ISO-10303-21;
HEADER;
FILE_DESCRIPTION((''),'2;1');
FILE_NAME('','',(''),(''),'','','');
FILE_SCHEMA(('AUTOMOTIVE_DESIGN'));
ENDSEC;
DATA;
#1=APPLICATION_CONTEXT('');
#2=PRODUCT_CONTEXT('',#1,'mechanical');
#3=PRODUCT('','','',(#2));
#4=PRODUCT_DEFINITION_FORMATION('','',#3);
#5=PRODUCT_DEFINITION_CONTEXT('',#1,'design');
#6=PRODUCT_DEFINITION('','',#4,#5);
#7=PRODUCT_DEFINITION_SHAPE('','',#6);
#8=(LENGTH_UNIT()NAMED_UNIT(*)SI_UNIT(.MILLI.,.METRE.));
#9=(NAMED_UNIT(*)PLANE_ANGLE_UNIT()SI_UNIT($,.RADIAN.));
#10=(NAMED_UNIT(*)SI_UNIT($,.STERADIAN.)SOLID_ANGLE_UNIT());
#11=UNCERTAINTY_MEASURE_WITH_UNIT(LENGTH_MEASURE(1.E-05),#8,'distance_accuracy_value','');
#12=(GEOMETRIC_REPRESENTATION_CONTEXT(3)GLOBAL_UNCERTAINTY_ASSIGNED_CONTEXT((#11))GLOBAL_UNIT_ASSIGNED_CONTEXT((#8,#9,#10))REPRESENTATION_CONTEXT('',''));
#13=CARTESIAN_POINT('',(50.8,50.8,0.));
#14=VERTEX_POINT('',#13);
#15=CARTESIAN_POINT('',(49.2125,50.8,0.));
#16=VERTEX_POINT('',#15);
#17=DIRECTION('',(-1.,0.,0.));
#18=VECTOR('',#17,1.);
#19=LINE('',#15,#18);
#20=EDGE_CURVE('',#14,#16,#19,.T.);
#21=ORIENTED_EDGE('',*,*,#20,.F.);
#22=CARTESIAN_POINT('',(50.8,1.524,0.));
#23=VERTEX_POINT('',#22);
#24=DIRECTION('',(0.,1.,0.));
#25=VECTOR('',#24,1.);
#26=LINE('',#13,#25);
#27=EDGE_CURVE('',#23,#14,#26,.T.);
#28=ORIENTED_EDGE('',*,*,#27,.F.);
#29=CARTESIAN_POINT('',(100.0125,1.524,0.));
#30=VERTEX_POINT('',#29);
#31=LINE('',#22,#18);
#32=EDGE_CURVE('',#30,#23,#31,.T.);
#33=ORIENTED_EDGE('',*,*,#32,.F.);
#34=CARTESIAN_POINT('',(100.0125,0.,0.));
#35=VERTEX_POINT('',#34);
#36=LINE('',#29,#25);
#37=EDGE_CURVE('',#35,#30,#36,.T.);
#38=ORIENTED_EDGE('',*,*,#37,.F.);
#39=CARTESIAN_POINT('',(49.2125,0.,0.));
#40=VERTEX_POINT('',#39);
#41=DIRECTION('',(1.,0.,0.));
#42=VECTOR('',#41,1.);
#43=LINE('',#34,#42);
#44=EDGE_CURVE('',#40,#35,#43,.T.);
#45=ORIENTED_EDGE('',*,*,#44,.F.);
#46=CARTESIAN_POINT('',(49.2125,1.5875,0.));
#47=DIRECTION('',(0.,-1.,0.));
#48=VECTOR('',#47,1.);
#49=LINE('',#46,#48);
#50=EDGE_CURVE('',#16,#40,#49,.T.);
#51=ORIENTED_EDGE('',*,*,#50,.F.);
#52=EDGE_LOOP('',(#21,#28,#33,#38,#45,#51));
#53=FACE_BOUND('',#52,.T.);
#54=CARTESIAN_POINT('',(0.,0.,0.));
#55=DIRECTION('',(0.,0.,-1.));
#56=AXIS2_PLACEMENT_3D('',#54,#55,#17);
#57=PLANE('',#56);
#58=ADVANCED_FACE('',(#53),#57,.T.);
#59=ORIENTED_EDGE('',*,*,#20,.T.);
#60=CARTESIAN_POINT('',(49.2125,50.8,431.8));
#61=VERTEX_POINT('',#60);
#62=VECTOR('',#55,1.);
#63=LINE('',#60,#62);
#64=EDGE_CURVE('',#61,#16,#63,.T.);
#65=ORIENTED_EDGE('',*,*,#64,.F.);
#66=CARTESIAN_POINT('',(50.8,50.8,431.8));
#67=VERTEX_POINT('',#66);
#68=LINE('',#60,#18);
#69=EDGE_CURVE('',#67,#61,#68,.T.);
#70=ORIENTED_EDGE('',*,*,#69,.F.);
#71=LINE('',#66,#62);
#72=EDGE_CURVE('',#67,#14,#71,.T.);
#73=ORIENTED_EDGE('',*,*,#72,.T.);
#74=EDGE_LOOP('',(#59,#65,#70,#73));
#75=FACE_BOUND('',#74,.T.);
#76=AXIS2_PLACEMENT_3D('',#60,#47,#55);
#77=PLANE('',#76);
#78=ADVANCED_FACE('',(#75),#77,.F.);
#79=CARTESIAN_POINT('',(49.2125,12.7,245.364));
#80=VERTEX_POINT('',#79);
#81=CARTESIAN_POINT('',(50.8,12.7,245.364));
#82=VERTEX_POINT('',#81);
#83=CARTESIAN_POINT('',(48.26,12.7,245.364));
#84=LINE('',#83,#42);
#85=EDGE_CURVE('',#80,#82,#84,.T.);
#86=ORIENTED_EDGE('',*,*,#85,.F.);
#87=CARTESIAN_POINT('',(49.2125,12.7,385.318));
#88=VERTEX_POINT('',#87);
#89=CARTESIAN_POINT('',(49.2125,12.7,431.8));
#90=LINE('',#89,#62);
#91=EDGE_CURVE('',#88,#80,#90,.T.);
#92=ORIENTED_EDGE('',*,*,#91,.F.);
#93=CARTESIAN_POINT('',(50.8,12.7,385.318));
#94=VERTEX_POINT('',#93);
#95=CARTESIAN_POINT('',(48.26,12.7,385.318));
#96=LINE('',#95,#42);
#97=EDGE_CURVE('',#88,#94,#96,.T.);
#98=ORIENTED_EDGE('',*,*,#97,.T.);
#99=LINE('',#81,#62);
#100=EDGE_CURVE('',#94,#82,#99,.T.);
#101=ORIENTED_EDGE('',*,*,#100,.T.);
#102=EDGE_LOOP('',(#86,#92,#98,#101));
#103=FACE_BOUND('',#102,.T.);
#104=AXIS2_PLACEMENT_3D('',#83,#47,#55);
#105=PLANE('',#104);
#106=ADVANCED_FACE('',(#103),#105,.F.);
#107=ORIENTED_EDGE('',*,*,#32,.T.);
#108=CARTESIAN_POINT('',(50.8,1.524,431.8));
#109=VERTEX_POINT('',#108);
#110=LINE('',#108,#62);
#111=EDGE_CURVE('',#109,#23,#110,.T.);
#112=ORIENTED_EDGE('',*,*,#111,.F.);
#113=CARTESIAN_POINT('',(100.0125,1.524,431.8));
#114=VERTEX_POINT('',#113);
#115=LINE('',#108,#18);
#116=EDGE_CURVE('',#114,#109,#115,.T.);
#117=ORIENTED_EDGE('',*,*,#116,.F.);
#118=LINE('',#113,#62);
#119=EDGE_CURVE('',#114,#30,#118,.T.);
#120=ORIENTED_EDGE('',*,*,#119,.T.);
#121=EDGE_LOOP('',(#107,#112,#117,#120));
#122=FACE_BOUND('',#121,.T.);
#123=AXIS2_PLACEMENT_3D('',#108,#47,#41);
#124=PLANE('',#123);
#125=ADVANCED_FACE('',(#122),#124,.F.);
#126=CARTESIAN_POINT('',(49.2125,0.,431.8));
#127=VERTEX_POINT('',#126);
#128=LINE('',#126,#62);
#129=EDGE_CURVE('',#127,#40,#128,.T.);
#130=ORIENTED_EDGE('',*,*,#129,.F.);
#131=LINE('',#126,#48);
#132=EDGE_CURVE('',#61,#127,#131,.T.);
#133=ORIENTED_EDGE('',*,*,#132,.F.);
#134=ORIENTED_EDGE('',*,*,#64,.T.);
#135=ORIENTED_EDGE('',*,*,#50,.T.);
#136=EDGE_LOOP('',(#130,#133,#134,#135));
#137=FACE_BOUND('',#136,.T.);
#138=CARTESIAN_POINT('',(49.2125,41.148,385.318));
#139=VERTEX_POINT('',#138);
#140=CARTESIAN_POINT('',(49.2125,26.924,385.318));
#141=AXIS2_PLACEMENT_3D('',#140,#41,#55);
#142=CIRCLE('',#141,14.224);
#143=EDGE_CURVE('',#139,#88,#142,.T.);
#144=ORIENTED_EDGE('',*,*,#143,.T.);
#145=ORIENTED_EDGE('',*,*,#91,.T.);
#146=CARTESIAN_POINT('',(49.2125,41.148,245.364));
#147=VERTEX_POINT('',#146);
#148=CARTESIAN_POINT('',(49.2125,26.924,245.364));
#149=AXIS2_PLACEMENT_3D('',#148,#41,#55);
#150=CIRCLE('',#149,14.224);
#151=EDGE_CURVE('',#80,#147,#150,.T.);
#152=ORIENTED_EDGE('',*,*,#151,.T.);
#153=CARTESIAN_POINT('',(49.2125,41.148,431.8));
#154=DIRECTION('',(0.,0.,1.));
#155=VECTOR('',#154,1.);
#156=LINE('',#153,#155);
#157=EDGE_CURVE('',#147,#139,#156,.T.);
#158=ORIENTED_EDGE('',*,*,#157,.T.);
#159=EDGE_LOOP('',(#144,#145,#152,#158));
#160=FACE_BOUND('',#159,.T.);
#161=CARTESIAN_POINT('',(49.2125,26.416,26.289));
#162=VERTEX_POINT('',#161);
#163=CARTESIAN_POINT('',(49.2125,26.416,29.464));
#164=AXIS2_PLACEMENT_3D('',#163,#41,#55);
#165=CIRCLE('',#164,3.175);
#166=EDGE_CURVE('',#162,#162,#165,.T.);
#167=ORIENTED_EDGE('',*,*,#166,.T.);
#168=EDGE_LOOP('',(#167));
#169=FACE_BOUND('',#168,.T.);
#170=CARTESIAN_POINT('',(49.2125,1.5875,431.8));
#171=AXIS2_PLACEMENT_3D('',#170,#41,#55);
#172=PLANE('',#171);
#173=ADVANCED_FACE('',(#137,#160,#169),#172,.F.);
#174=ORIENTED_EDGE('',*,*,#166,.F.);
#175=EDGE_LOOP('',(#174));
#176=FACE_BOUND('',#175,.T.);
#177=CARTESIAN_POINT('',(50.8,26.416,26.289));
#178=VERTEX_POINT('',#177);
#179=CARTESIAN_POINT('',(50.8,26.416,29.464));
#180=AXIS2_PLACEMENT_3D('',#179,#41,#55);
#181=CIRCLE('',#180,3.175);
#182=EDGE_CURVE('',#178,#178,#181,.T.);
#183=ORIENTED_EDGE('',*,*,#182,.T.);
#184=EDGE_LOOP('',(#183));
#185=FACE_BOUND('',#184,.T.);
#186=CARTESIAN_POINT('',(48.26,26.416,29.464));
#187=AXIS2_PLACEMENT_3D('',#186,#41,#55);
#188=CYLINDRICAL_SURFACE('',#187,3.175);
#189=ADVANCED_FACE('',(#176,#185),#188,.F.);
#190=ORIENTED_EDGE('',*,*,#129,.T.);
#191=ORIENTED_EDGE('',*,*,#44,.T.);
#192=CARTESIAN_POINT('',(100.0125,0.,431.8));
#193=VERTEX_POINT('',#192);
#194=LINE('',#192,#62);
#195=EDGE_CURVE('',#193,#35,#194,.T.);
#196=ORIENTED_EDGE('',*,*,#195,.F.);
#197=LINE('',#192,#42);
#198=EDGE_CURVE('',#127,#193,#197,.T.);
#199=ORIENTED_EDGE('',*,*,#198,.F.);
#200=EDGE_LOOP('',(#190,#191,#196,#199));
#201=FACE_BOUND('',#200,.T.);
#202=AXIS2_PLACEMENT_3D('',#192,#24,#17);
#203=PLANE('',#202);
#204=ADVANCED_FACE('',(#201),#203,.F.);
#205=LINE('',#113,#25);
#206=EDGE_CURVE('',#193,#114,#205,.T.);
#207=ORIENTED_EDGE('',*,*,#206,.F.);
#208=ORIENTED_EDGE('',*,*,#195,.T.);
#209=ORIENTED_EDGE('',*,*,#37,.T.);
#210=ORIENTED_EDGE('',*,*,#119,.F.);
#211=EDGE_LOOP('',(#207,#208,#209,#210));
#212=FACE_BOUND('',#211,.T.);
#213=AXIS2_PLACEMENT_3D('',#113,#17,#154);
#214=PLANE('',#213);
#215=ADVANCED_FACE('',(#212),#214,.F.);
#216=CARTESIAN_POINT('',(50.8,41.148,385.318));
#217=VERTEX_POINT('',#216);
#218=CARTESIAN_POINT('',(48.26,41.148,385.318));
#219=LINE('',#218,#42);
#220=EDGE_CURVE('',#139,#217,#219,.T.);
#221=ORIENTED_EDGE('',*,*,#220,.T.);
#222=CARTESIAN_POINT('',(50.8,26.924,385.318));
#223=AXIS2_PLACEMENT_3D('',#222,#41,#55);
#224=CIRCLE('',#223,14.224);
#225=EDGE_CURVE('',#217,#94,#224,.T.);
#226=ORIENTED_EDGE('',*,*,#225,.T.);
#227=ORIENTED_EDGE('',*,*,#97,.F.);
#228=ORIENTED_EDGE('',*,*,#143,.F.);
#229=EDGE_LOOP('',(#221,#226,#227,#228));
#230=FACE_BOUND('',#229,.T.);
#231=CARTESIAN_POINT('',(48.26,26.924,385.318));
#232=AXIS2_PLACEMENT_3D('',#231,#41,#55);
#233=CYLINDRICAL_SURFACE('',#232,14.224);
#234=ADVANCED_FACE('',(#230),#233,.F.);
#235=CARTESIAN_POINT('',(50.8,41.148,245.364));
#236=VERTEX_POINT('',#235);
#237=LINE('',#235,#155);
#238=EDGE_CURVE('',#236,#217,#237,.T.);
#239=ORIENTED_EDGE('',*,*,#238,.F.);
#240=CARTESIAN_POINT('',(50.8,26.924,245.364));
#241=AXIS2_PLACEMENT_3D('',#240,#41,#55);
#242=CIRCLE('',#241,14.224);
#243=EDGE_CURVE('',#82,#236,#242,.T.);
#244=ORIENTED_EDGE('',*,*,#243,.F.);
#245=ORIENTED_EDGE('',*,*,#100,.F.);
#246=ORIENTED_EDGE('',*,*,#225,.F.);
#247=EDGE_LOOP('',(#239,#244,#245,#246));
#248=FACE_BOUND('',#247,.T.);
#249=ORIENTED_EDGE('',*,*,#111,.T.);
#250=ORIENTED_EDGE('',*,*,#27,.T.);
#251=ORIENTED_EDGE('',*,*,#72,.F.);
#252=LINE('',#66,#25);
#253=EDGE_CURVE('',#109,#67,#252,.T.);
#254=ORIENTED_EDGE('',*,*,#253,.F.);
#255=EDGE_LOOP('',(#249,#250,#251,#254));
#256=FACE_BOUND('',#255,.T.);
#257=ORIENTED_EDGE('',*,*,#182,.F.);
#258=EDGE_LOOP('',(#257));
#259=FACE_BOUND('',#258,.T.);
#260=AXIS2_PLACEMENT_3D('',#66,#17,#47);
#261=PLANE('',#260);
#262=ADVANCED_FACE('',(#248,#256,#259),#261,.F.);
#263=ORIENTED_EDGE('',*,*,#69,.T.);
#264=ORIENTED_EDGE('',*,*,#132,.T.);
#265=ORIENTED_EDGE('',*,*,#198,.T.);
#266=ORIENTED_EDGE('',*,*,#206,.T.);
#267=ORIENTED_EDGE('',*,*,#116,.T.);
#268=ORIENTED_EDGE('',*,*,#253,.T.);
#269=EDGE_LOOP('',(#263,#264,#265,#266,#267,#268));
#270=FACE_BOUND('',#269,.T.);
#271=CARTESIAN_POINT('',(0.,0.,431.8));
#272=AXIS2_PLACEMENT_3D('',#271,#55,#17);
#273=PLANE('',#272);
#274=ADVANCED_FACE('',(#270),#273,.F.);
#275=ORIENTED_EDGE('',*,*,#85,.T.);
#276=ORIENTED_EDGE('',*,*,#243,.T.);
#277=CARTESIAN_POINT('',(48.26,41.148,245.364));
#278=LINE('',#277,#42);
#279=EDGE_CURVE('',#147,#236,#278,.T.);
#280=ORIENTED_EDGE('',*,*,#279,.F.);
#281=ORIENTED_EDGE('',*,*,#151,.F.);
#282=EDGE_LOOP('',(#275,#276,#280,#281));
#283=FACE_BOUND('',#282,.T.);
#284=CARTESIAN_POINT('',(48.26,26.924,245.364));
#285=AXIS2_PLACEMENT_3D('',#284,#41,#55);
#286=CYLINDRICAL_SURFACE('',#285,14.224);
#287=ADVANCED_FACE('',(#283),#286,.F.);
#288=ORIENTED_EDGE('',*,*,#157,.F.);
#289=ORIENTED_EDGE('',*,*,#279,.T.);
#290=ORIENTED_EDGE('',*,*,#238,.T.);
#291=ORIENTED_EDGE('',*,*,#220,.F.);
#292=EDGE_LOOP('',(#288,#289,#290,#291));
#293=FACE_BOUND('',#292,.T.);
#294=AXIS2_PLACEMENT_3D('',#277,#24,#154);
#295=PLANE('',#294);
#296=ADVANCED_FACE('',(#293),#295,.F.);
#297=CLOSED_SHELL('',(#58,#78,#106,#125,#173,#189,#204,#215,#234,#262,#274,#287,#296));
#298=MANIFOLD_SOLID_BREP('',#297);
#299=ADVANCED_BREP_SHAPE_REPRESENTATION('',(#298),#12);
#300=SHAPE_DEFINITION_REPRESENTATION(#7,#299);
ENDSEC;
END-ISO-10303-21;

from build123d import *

# Parameters (mm, degrees)
BOSS_EXTRUDE2_DEPTH = 431.8
SKETCH8_R           = 3.175
CUT_EXTRUDE6_DEPTH  = 2.54


with BuildPart() as part:
    # Sketch3 → Boss-Extrude2 (new body)
    with BuildSketch(Plane.XY):
        Polygon((49.2125, 1.5875), (49.2125, 50.8), (50.8, 50.8), (50.8, 1.524), (100.0125, 1.524), (100.0125, 0), (49.2125, 0), align=None)
    extrude(amount=BOSS_EXTRUDE2_DEPTH)

    # Sketch8 → Cut-Extrude6 (cut)
    with BuildSketch(Plane(origin=(50.8, 0, 0), x_dir=(0, 0, -1), z_dir=(1, 0, 0))):
        with Locations((-29.464, 26.416)):
            Circle(SKETCH8_R)
        with BuildLine():
            Line((-245.364, 12.7), (-385.318, 12.7))
            ThreePointArc((-385.318, 12.7), (-399.542, 26.924), (-385.318, 41.148))
            Line((-385.318, 41.148), (-245.364, 41.148))
            ThreePointArc((-245.364, 41.148), (-231.14, 26.924), (-245.364, 12.7))
        make_face()
    extrude(amount=-CUT_EXTRUDE6_DEPTH, mode=Mode.SUBTRACT)


solid = part.part
